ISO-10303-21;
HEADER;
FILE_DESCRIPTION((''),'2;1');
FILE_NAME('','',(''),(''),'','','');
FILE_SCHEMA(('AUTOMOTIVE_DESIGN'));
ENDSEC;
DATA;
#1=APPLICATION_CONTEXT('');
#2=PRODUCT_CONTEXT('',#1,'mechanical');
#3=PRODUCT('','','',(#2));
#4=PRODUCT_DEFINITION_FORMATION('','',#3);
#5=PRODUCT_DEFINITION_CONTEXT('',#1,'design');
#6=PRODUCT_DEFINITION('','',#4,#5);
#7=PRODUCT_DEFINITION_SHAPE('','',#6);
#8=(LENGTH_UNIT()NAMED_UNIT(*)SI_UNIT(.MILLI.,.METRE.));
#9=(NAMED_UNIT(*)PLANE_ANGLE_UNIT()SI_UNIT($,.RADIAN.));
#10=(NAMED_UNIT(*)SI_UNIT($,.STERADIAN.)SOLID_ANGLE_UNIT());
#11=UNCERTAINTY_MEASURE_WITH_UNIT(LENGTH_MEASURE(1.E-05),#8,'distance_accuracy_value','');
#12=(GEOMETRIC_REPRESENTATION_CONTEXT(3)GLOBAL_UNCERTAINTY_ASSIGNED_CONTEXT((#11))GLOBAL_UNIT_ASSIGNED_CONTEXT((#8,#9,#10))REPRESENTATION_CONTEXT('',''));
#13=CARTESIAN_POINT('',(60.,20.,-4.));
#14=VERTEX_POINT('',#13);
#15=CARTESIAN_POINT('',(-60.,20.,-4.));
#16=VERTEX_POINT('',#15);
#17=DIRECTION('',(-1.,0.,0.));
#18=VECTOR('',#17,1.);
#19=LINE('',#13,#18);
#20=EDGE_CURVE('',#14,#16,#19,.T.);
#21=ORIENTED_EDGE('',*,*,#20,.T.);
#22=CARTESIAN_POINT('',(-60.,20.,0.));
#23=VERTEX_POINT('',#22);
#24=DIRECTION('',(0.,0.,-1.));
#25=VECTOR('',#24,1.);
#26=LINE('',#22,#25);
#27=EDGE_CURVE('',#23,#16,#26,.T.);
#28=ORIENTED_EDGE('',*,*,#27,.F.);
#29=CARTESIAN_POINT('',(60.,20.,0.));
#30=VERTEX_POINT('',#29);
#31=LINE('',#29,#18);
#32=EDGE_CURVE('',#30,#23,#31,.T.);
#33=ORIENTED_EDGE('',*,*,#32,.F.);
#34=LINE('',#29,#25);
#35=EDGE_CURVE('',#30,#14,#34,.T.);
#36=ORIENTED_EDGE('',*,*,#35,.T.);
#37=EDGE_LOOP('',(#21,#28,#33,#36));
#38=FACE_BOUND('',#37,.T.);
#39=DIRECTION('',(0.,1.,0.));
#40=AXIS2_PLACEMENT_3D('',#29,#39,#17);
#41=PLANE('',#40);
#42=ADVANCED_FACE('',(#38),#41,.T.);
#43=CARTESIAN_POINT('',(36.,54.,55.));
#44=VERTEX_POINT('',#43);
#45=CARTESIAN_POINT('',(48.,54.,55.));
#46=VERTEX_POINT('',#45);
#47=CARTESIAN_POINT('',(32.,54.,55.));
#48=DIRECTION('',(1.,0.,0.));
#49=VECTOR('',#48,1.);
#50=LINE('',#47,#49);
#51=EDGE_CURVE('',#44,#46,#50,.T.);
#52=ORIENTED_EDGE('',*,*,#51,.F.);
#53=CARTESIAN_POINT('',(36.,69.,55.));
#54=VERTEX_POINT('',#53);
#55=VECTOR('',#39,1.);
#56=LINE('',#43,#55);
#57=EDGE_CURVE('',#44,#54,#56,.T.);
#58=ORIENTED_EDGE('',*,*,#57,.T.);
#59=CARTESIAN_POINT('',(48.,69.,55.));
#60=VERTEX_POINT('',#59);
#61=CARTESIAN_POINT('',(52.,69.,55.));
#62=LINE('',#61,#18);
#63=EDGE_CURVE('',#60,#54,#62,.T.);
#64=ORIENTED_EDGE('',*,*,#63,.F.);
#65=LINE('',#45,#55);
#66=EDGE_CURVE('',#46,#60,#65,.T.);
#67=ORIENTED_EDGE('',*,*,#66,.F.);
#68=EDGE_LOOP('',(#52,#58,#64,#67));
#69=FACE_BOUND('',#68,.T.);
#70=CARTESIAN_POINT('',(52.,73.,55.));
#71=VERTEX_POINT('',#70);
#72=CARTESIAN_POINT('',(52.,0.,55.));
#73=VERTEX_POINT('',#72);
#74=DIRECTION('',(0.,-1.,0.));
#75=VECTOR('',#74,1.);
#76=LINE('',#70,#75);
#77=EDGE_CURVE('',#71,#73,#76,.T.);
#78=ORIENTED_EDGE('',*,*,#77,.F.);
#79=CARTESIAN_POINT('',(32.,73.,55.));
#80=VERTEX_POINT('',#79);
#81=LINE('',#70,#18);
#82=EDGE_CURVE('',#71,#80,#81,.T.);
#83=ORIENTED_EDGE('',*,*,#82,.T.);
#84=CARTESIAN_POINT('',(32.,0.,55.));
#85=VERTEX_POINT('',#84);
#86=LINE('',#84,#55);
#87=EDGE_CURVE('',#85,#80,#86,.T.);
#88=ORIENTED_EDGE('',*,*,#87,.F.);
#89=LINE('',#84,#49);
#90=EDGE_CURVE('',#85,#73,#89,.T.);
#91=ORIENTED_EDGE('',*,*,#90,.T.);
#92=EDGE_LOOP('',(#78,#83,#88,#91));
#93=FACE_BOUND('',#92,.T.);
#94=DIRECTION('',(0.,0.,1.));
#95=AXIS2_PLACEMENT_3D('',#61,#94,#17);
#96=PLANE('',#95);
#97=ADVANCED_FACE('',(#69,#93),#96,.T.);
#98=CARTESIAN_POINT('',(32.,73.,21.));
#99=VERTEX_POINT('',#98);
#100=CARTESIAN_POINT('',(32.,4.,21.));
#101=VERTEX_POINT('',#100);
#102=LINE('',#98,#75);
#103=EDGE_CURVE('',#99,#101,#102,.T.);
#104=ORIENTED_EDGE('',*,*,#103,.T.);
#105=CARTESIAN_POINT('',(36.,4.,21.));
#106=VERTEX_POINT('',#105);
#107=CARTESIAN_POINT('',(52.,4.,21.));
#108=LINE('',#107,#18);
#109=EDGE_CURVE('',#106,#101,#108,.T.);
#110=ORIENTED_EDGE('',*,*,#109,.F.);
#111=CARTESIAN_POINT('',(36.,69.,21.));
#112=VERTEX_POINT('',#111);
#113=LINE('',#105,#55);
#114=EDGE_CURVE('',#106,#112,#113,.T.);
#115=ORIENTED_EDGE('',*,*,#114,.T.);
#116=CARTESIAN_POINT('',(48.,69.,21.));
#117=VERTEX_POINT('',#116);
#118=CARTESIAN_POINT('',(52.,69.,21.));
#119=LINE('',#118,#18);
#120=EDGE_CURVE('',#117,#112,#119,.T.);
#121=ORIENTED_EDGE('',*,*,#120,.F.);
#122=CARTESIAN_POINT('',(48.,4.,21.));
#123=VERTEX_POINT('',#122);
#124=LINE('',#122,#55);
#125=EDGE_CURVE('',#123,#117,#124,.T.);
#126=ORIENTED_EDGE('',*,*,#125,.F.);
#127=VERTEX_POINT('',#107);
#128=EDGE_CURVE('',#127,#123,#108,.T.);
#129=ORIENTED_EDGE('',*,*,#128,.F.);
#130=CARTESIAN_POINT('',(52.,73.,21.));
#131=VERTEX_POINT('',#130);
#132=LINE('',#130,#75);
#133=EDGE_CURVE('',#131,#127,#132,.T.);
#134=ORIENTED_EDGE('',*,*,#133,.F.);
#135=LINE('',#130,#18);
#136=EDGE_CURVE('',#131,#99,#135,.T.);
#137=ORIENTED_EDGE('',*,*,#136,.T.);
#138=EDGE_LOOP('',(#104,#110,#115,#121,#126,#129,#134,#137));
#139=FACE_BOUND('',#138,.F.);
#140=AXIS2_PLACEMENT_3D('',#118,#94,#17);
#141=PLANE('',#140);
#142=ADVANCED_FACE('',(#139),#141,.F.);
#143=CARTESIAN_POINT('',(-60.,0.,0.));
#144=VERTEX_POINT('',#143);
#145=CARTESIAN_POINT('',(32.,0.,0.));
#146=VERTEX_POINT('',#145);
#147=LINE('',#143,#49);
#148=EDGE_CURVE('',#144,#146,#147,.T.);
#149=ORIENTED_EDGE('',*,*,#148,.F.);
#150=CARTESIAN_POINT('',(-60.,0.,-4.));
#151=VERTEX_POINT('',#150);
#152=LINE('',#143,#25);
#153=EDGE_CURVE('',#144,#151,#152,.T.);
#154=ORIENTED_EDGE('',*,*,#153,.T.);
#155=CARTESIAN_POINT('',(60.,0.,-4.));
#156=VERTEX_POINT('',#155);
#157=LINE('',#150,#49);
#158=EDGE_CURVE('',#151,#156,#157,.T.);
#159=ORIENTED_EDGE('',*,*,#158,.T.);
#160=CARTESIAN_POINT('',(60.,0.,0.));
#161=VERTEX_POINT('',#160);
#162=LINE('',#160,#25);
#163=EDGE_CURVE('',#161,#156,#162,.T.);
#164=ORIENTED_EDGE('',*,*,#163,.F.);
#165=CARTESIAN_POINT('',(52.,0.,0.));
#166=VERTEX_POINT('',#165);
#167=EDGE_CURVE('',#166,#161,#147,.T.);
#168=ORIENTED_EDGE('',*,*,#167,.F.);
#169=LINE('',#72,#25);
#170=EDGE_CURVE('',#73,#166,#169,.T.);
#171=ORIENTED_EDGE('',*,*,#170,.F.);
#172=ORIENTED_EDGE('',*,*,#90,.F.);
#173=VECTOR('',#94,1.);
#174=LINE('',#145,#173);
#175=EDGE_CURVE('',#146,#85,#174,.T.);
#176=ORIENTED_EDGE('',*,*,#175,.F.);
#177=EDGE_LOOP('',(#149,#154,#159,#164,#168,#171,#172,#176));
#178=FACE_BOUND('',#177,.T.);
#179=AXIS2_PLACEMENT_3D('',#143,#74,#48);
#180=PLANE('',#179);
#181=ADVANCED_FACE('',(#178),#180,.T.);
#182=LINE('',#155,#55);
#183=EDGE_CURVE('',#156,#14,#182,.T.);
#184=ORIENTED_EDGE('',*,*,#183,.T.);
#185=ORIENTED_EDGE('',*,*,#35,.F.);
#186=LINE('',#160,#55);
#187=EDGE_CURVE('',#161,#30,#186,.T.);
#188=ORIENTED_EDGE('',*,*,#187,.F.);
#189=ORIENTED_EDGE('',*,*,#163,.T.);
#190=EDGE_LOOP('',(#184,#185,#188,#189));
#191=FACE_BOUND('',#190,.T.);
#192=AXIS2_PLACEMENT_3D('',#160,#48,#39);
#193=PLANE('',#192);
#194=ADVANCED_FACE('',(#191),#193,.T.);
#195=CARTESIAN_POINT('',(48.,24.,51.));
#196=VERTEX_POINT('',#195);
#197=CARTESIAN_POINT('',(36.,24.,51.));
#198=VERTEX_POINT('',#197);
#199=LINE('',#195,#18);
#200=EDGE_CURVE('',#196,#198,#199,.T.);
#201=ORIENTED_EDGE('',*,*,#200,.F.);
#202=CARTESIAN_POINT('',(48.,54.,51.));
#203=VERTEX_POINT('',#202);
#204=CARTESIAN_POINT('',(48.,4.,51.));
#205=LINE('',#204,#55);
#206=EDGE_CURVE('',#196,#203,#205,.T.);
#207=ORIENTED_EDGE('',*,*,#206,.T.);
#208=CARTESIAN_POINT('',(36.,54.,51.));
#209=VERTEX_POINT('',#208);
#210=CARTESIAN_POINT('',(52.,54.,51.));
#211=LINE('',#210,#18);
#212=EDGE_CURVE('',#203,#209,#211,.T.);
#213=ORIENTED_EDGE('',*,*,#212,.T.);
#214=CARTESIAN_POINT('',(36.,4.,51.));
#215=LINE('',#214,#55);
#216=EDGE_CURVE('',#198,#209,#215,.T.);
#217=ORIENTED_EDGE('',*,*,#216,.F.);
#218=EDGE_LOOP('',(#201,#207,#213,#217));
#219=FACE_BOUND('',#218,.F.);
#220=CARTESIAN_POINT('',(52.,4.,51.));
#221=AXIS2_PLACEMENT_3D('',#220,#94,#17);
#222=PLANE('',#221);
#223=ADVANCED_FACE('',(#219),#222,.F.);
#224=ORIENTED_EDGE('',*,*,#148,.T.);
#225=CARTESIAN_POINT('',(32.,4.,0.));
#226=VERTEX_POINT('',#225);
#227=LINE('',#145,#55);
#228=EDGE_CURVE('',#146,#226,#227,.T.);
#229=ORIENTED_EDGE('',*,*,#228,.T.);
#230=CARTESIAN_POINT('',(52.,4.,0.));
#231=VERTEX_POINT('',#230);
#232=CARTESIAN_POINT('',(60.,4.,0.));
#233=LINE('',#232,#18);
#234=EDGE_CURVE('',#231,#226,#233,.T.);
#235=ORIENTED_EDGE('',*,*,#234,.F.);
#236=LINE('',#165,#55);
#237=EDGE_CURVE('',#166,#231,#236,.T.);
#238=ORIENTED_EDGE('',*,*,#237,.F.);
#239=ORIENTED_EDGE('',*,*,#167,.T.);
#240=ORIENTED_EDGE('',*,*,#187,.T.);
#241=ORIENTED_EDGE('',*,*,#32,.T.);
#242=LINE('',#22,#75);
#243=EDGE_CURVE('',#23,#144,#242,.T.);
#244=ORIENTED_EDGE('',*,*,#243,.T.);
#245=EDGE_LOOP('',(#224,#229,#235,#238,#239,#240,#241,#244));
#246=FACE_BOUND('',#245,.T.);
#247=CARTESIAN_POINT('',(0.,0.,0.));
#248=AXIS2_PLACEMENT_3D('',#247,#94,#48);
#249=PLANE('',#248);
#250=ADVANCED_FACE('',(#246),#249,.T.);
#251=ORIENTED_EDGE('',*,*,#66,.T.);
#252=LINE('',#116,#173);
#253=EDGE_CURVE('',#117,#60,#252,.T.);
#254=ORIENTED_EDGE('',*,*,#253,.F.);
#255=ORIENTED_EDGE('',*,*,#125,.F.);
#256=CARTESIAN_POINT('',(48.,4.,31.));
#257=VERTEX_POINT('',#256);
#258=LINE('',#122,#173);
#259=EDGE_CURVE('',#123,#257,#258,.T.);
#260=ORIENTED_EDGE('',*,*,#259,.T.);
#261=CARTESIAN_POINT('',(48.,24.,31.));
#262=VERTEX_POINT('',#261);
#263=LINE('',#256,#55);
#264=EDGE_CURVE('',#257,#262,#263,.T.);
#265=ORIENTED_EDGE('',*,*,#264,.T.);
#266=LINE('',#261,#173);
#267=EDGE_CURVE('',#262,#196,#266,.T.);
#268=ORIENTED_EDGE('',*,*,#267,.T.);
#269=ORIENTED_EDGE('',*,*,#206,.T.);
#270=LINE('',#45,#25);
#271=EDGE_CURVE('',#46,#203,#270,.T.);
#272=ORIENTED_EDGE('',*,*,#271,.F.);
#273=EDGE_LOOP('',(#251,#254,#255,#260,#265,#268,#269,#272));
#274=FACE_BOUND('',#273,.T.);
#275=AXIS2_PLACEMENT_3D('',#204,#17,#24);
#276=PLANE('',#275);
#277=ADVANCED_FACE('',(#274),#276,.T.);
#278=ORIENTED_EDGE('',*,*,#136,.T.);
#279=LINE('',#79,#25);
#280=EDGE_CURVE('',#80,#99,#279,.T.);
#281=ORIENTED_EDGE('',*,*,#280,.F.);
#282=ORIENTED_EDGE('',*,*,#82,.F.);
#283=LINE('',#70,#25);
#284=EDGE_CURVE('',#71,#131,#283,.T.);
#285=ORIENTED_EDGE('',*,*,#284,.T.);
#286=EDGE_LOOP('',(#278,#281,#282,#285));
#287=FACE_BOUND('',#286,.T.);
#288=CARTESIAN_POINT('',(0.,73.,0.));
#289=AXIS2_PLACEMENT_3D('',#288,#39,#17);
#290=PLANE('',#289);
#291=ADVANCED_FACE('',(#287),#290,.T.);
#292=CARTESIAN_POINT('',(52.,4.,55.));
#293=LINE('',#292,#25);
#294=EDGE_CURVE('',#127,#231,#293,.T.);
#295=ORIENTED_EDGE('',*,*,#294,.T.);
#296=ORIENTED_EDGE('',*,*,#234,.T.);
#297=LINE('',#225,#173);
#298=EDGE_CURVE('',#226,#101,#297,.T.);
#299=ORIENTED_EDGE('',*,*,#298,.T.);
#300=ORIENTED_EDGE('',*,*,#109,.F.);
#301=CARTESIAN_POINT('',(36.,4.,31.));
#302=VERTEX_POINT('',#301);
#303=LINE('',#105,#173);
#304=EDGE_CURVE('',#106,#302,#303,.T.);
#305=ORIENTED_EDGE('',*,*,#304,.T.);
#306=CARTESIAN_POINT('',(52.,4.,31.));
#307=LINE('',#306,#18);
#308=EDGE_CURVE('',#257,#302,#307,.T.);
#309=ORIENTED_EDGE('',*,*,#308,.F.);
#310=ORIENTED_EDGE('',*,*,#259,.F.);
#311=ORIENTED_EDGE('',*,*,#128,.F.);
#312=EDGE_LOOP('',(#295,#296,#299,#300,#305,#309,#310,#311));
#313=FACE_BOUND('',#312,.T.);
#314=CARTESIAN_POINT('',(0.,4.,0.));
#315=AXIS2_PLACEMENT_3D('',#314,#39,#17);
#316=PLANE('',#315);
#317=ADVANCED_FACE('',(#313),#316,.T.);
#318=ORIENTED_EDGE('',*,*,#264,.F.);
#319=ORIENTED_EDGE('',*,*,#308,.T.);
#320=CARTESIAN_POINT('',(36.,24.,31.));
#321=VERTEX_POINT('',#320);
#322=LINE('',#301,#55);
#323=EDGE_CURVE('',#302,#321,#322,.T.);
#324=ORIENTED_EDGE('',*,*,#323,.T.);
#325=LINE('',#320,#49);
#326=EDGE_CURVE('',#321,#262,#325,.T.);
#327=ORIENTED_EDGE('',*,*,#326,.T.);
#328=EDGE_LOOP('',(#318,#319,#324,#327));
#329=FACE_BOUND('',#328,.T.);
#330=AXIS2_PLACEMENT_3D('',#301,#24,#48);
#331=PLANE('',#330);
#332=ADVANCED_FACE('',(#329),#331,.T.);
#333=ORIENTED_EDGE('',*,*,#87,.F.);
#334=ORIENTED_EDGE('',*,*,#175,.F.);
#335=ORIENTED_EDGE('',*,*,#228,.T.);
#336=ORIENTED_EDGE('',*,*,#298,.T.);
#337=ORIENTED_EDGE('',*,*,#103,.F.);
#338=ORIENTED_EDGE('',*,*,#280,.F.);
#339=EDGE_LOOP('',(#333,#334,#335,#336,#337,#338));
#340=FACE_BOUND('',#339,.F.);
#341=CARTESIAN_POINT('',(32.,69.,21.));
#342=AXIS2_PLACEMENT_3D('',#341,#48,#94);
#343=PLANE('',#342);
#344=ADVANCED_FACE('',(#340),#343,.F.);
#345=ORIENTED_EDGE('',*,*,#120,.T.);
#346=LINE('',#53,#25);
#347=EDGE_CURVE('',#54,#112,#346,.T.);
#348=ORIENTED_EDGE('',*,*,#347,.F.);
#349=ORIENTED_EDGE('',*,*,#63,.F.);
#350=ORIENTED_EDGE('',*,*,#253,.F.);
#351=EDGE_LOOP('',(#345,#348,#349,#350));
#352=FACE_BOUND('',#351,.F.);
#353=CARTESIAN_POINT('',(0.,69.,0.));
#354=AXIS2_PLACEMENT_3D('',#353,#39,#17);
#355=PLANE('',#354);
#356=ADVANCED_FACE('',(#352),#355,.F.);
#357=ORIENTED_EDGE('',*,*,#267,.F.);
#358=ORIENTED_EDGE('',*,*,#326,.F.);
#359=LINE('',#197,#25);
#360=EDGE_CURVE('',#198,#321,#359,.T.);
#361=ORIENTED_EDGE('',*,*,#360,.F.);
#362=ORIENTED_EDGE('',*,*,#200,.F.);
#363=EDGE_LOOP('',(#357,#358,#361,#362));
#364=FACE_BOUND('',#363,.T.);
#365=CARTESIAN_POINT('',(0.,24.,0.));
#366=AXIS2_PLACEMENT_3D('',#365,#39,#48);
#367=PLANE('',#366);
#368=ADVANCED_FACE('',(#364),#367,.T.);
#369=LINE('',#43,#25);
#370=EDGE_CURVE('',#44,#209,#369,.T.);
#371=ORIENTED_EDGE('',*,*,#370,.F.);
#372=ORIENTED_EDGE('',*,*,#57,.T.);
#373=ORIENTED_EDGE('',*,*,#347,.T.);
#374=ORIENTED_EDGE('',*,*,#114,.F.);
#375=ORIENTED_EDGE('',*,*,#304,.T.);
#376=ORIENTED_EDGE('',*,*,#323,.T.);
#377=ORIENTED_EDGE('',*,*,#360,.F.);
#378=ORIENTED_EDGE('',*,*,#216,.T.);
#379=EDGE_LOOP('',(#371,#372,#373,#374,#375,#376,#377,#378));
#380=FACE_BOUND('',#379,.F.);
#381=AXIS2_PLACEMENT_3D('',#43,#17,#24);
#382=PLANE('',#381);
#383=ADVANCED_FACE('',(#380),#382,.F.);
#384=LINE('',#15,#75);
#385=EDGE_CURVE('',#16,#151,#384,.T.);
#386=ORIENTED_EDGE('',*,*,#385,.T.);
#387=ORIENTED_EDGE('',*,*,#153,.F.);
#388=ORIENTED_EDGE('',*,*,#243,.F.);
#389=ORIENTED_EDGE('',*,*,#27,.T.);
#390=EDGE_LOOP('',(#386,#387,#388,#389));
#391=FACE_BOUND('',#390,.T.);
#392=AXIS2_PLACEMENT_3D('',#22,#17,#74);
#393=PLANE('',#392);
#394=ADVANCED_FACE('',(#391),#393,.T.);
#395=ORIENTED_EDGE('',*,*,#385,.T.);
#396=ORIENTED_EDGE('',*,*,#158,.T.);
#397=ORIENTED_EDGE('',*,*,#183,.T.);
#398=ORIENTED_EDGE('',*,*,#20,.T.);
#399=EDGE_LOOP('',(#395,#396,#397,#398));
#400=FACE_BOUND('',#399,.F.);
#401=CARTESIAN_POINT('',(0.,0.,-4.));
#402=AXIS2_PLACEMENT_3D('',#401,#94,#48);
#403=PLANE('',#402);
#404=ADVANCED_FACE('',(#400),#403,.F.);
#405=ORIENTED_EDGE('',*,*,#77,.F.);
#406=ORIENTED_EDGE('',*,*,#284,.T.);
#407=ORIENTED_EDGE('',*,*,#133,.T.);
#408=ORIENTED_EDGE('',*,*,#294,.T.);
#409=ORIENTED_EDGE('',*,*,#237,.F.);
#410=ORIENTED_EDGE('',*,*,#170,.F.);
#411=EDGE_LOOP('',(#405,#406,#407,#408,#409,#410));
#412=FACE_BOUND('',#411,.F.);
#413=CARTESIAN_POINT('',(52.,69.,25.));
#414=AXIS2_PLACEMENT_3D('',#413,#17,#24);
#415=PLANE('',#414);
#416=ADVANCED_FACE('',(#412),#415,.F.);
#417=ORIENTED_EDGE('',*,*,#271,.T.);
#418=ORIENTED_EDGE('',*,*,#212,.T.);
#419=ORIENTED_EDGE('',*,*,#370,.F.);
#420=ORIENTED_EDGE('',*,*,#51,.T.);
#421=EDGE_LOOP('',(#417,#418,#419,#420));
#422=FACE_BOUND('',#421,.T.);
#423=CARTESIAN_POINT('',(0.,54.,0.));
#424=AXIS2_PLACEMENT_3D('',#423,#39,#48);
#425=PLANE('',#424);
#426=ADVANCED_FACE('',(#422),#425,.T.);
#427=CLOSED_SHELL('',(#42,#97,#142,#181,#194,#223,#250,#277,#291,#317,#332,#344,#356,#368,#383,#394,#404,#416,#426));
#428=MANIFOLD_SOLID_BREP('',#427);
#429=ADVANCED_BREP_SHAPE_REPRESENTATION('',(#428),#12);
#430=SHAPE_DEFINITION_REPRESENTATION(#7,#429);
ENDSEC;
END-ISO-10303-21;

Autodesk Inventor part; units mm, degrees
ref_plane "YZ Plane" through (0, 0, 0) normal (1, 0, 0) x (0, 1, 0)
ref_plane "XY Plane" through (0, 0, 0) normal (0, 0, 1) x (1, 0, 0)
sketch "Skizze1" plane through (0, 0, 0) normal (0, 0, 1) x (1, 0, 0)
  line L0 (-60, 0) -> (60, 0)
  line L1 (60, 0) -> (60, 20)
  line L2 (60, 20) -> (-60, 20)
  line L3 (-60, 20) -> (-60, 0)
  point P0 (0, 0)
  dimension "d0" = 120
  dimension "d1" = 20
extrude "Extrusion1" add sketch "Skizze1" against normal blind 4
sketch "Skizze2" plane through (0, 0, 0) normal (0, 1, 0) x (-1, 0, 0)
  line L0 (-60, 0) -> (60, 0) projected
  line L1 (-52, 0) -> (-32, 0)
  line L2 (-32, 0) -> (-32, 55)
  line L3 (-32, 55) -> (-52, 55)
  line L4 (-52, 55) -> (-52, 0)
  point P0 (0, 0)
  dimension "d17" = 20
  dimension "d18" = 55
extrude "Extrusion2" add sketch "Skizze2" along normal blind 4
sketch "Skizze8" plane through (0, 4, 0) normal (0, 1, 0) x (1, 0, 0)
  line L0 (52, -55) -> (52, 0) projected
  line L1 (32, -55) -> (52, -55)
  line L2 (52, -55) -> (52, -51)
  line L3 (52, -51) -> (32, -51)
  line L4 (32, -51) -> (32, -55)
  point P0 (0, 0)
extrude "Extrusion7" add sketch "Skizze8" along normal blind 50
sketch "Skizze9" plane through (0, 4, 0) normal (0, 1, 0) x (1, 0, 0)
  line L0 (32, 0) -> (32, -51) projected
  line L1 (32, -51) -> (36, -51)
  line L2 (36, -51) -> (36, -31)
  line L3 (36, -31) -> (32, -31)
  line L4 (32, -31) -> (32, -51)
  line L5 (52, -51) -> (48, -51)
  line L6 (48, -51) -> (48, -31)
  line L7 (48, -31) -> (52, -31)
  line L8 (52, -31) -> (52, -51)
  point P0 (0, 0)
extrude "Extrusion8" add sketch "Skizze9" along normal blind 65
sketch "Skizze10" plane through (48, 4, 51) normal (0, 0, -1) x (-1, 0, 0)
  point P0 (48, -4)
sketch "Skizze11" plane through (0, 4, 0) normal (0, 1, 0) x (1, 0, 0)
  line L0 (48, -51) -> (36, -51) projected
  line L1 (36, -31) -> (32, -31) projected
  line L2 (48, -51) -> (36, -51)
  line L3 (36, -51) -> (36, -31)
  line L4 (36, -31) -> (48, -31)
  line L5 (48, -31) -> (48, -51)
  point P0 (0, 0)
extrude "Extrusion9" add sketch "Skizze11" along normal blind 20
ref_plane "Arbeitsebene1" through (0, 69, 0) normal (0, 1, 0) x (-1, 0, 0)
sketch "Skizze12" plane through (0, 69, 0) normal (0, 1, 0) x (-1, 0, 0)
  line L0 (-32, 0) -> (-32, 55) projected
  line L1 (-52, 55) -> (-32, 55)
  line L2 (-32, 55) -> (-32, 25)
  line L3 (-32, 25) -> (-52, 25)
  line L4 (-52, 25) -> (-52, 55)
  point P0 (0, 0)
extrude "Extrusion10" add sketch "Skizze12" along normal blind 4
sketch "Skizze13" plane through (0, 54, 0) normal (0, 1, 0) x (1, 0, 0)
  point P0 (0, 0)
sketch "Skizze14" plane through (0, 54, 0) normal (0, 1, 0) x (1, 0, 0)
  line L0 (52, -55) -> (52, -25) projected
  line L1 (48, -31) -> (48, -51) projected
  line L2 (52, -55) -> (48, -55)
  line L3 (48, -55) -> (48, -51)
  line L4 (48, -51) -> (52, -51)
  line L5 (52, -51) -> (52, -55)
  line L6 (32, -55) -> (36, -55)
  line L7 (36, -55) -> (36, -51)
  line L8 (36, -51) -> (32, -51)
  line L9 (32, -51) -> (32, -55)
  point P0 (0, 0)
extrude "Extrusion11" add sketch "Skizze14" along normal blind 15
sketch "Skizze15" plane through (0, 69, 0) normal (0, 1, 0) x (-1, 0, 0)
  line L0 (-52, 25) -> (-32, 25) projected
  line L1 (-52, 31) -> (-52, 0) projected
  line L2 (-32, 25) -> (-52, 25)
  line L3 (-52, 25) -> (-52, 21)
  line L4 (-52, 21) -> (-32, 21)
  line L5 (-32, 21) -> (-32, 25)
  point P0 (0, 0)
extrude "Extrusion12" add sketch "Skizze15" along normal blind 4
sketch "Skizze16" plane through (0, 4, 0) normal (0, 1, 0) x (1, 0, 0)
  line L0 (52, -21) -> (32, -21) projected
  line L1 (52, -31) -> (48, -31) projected
  line L2 (52, -21) -> (48, -21)
  line L3 (48, -21) -> (48, -31)
  line L4 (48, -31) -> (52, -31)
  line L5 (52, -31) -> (52, -21)
  line L6 (32, -21) -> (32, -55) projected
  line L7 (36, -31) -> (32, -31) projected
  line L8 (32, -21) -> (36, -21)
  line L9 (36, -21) -> (36, -31)
  line L10 (36, -31) -> (32, -31)
  line L11 (32, -31) -> (32, -21)
  point P0 (0, 0)
extrude "Extrusion13" add sketch "Skizze16" along normal blind 65
properties part number "Drehmomentstütze"
